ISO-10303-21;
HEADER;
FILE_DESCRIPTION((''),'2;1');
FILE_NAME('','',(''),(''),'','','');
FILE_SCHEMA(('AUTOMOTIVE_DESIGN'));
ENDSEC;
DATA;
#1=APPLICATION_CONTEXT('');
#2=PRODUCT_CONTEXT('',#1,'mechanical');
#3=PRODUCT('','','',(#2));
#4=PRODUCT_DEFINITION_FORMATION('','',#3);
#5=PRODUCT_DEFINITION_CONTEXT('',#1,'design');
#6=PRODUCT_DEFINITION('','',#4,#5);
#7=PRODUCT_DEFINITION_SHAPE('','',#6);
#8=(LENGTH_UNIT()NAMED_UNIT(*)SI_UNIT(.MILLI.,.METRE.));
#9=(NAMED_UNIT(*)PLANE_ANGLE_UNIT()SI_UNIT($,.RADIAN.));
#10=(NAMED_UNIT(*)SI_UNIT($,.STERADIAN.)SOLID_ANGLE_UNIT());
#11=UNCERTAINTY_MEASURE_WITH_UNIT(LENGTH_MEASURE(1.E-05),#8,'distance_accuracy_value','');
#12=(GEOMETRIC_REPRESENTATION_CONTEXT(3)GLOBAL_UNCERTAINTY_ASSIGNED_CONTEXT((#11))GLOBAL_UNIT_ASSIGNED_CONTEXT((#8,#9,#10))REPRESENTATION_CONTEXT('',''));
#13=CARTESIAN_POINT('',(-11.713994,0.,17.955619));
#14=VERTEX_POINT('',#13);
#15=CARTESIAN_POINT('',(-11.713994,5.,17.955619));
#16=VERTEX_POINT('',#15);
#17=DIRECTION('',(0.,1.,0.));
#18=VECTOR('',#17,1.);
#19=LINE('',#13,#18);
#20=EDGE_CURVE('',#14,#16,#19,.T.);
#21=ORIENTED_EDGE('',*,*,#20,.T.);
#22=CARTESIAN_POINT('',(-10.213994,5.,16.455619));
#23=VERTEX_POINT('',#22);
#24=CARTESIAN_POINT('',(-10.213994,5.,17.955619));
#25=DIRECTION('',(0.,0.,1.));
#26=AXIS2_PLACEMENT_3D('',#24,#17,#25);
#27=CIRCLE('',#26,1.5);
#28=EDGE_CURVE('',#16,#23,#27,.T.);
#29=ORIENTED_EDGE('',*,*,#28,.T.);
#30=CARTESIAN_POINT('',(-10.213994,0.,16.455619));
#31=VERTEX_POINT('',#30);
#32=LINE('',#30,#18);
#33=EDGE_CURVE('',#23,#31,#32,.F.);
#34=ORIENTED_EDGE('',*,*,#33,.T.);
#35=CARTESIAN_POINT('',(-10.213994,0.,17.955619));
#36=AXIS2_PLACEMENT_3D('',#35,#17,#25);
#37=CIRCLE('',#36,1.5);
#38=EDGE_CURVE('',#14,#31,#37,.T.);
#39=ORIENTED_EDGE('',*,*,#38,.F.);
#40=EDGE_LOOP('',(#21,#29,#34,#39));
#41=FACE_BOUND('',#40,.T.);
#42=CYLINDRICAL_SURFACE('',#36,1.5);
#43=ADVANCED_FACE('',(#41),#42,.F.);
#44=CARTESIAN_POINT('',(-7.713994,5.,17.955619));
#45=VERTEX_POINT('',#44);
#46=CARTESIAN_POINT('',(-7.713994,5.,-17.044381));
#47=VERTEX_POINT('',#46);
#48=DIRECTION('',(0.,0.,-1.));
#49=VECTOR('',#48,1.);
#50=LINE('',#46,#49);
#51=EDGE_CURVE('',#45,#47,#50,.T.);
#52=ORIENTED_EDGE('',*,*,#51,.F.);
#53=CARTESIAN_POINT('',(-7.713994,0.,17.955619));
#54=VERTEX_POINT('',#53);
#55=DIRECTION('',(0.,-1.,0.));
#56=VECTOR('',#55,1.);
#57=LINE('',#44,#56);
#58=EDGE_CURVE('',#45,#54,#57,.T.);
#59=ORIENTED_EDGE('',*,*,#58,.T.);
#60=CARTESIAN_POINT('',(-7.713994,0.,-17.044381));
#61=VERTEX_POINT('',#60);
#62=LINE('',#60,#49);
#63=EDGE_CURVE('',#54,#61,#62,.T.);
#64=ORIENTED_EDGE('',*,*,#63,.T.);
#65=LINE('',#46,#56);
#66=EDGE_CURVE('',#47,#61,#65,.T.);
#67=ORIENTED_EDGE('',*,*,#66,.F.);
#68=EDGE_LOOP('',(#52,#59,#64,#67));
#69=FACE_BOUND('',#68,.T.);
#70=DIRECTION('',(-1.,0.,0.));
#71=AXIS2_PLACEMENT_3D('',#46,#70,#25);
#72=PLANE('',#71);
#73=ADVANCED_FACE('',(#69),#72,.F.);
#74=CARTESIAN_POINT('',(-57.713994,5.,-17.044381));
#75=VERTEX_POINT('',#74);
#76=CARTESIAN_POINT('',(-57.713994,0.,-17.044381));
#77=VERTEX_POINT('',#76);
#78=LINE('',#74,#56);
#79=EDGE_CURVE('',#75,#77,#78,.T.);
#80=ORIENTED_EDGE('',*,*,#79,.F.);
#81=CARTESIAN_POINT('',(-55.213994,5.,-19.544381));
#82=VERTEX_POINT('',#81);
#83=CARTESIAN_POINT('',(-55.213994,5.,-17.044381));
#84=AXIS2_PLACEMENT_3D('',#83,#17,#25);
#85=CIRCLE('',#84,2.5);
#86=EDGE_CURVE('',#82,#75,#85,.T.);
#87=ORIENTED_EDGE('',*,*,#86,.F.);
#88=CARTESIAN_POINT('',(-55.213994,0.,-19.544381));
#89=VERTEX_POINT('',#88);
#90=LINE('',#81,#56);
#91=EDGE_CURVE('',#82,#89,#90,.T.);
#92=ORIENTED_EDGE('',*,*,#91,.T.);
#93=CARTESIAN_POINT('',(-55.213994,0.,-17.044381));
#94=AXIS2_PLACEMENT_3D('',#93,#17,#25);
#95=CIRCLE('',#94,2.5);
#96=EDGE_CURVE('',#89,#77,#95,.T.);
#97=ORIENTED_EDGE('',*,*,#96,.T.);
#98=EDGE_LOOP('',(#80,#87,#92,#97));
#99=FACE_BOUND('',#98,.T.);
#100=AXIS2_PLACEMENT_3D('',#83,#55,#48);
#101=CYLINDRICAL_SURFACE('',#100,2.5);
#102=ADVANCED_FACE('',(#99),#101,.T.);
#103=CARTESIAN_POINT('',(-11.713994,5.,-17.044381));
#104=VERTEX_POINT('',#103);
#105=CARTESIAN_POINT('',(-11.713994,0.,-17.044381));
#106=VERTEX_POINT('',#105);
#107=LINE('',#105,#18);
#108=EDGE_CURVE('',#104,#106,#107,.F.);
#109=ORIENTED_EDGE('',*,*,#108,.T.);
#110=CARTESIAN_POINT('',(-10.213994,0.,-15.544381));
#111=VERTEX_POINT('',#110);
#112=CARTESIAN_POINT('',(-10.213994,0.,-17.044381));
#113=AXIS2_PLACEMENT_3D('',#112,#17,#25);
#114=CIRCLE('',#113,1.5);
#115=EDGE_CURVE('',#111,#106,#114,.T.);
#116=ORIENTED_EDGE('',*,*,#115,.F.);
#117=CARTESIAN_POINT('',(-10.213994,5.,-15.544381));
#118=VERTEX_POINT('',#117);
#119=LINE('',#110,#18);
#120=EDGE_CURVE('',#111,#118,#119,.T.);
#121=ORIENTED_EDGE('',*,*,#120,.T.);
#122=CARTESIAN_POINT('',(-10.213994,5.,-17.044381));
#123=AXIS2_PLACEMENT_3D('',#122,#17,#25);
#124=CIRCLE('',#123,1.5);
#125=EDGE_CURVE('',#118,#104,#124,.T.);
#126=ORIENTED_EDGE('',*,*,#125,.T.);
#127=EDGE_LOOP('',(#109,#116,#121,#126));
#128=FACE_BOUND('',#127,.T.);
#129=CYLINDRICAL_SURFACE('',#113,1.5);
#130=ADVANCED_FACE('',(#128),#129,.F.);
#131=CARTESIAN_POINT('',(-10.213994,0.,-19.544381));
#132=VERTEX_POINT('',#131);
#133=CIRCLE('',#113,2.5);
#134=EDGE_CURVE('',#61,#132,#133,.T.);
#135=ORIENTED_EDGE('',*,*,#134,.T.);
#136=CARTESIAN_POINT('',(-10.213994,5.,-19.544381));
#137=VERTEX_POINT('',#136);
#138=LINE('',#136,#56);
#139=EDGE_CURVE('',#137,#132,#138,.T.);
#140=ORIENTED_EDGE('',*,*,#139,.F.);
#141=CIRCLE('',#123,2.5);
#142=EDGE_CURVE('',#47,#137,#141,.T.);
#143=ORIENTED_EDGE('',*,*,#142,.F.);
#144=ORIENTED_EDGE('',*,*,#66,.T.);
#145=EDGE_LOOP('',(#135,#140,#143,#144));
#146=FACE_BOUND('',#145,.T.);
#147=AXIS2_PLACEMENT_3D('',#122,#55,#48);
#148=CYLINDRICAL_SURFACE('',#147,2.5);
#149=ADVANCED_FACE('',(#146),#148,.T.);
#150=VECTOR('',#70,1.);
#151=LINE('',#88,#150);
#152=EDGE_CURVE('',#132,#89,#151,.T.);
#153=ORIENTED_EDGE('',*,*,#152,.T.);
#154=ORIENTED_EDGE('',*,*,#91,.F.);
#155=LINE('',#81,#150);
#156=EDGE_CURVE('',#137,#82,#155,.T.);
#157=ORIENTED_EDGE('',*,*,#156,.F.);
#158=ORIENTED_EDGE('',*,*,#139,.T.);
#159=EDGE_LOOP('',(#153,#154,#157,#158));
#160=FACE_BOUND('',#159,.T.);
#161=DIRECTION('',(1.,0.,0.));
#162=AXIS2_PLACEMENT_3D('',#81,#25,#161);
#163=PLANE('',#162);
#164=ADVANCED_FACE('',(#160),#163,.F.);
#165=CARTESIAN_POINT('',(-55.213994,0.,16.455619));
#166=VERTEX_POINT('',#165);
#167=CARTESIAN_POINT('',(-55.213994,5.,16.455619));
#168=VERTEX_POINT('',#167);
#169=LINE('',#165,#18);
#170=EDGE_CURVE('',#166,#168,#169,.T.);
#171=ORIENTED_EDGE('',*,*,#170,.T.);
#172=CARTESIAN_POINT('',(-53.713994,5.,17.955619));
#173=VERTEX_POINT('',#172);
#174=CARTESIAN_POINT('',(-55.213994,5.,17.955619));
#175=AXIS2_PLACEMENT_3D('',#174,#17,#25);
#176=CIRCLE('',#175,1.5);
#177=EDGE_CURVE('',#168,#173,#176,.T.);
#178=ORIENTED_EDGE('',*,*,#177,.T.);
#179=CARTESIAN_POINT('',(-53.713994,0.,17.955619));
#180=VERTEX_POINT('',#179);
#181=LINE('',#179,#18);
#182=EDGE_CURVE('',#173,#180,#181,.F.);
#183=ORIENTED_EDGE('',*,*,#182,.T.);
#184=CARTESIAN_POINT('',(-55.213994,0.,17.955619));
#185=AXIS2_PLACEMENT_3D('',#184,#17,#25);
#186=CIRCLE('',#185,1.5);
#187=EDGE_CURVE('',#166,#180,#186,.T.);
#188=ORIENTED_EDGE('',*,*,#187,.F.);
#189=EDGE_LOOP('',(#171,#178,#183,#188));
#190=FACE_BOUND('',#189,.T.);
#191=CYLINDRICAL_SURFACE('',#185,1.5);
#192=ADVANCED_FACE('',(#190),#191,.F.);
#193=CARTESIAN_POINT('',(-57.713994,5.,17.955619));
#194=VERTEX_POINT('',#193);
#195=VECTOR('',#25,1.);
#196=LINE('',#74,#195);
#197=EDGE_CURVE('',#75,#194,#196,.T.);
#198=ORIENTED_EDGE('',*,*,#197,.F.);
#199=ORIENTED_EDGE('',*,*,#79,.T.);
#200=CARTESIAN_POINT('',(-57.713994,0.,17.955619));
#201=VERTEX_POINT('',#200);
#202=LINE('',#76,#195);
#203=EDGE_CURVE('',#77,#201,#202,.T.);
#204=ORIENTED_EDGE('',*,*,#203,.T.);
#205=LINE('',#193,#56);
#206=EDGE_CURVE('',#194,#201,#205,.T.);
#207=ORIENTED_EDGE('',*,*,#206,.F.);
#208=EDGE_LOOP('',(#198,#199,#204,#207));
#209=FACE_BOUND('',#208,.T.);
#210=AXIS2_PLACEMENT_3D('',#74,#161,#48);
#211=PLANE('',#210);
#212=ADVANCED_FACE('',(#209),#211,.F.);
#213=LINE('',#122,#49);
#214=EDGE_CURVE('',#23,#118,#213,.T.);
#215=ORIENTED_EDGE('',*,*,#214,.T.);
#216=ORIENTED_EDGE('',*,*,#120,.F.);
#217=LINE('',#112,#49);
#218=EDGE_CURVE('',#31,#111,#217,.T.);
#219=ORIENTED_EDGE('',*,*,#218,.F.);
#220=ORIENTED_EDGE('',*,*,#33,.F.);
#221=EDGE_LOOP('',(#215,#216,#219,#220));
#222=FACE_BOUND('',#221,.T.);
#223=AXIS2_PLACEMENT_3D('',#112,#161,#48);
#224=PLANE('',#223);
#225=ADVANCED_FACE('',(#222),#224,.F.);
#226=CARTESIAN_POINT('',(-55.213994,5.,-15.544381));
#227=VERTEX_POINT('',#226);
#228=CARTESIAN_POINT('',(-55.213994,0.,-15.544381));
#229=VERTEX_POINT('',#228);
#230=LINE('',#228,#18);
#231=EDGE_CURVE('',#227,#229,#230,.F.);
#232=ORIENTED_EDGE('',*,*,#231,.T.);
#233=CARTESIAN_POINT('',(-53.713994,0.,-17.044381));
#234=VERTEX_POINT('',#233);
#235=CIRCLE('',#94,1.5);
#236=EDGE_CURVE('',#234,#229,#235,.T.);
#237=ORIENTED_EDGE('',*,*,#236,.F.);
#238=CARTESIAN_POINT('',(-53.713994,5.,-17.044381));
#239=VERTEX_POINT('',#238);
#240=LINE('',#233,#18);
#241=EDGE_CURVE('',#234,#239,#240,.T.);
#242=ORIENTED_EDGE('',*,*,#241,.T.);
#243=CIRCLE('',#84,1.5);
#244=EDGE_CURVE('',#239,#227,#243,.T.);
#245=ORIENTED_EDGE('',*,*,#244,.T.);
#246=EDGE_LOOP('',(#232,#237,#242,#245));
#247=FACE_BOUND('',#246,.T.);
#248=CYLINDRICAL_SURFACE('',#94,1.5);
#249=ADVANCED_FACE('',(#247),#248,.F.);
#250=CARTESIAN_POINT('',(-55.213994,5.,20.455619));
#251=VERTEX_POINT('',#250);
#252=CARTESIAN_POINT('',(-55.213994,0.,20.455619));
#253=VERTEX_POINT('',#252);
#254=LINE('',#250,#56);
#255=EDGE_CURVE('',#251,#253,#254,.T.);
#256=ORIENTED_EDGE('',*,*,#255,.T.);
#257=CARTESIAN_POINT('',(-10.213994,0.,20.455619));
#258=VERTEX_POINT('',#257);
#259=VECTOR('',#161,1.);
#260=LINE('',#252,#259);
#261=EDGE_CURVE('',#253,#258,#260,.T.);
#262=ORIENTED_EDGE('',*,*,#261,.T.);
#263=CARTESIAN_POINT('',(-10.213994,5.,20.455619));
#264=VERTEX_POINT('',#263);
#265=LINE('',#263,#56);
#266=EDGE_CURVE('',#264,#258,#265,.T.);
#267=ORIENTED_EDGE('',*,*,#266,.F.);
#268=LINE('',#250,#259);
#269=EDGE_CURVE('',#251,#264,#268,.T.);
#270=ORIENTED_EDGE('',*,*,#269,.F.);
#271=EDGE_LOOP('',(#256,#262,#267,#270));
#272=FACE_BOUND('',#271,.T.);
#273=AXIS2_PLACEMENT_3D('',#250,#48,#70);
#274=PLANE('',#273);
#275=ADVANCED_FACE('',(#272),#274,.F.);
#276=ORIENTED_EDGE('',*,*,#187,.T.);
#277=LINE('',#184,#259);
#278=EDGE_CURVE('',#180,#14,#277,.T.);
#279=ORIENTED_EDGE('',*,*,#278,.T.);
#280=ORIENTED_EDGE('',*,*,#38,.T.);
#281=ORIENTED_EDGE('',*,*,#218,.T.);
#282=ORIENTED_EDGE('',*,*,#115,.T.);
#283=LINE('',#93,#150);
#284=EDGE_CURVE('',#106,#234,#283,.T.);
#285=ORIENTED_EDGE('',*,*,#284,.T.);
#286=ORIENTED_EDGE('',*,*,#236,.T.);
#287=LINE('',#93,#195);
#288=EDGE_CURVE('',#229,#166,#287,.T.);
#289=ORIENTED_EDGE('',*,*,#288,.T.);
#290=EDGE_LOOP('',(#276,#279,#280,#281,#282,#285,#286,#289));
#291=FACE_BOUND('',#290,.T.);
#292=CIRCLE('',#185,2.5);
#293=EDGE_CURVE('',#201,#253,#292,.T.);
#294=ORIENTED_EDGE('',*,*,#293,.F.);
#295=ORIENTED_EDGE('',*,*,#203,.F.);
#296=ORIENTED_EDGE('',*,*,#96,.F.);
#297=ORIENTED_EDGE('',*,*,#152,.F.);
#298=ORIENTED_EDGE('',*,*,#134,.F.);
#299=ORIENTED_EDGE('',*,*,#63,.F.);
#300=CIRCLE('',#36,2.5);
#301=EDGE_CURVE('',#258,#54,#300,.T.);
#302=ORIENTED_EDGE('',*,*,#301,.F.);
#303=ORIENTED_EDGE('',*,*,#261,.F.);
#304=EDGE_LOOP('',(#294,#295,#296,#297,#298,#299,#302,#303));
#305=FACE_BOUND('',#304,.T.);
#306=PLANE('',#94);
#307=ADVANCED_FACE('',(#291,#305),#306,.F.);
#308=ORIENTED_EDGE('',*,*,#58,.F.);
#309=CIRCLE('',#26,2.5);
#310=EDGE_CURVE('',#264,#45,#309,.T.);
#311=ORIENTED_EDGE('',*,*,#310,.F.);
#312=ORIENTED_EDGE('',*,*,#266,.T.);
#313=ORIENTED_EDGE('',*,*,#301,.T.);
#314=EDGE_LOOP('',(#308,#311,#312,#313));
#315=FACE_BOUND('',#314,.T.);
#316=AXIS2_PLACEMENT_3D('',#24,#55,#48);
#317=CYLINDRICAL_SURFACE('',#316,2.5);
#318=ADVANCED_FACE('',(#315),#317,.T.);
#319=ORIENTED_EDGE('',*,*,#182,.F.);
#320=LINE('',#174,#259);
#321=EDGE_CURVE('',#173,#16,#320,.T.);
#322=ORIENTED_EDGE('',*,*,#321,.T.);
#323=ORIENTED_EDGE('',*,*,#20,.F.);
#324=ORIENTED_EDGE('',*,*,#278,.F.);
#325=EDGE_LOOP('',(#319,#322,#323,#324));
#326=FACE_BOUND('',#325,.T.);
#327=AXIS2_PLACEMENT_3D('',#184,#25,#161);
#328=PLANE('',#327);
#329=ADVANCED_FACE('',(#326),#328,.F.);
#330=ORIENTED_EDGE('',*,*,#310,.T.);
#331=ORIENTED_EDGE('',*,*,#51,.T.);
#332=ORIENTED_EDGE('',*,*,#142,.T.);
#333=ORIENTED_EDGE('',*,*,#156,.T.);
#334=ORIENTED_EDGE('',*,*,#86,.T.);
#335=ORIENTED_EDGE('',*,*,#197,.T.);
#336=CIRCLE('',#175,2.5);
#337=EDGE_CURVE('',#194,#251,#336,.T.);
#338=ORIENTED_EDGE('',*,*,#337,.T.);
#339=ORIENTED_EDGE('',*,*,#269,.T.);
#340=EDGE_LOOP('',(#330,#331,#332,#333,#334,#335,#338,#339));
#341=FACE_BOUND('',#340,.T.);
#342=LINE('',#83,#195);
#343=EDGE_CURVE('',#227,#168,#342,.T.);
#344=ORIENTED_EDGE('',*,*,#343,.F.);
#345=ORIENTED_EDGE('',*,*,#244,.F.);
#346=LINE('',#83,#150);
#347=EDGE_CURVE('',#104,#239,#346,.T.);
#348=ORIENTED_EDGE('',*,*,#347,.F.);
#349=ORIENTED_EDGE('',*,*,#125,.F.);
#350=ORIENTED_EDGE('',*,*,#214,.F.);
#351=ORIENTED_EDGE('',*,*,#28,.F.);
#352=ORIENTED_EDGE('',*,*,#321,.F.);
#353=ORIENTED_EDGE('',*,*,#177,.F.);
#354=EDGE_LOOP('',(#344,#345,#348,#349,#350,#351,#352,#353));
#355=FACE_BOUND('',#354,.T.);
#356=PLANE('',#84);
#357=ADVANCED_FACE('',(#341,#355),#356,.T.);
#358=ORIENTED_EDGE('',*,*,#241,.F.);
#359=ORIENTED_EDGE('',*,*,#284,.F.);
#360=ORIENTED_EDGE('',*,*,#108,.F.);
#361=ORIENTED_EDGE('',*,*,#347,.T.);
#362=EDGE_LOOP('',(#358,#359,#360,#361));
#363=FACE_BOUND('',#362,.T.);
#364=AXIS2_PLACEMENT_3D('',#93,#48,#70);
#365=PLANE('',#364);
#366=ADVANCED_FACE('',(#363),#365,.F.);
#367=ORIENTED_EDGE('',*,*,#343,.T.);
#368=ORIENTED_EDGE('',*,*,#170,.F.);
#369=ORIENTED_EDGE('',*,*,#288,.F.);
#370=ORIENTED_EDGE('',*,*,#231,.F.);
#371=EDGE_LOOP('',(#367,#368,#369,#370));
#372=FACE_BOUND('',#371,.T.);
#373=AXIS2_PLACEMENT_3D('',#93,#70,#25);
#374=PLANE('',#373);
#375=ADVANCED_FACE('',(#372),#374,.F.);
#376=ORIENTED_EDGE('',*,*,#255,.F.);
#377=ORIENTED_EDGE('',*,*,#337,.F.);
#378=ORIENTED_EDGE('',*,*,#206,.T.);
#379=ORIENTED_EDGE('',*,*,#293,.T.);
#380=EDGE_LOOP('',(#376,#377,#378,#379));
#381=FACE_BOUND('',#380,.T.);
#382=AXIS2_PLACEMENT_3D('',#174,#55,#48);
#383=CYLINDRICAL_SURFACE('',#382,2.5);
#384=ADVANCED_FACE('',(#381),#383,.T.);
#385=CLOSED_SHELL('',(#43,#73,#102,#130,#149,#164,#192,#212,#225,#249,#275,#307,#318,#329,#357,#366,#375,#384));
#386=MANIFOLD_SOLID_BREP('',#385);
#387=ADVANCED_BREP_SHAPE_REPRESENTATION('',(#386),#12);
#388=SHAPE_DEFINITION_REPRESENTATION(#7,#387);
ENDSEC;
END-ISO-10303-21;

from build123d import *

# Parameters (mm, degrees)
EXTRUDE_3_DEPTH     = 5
SKETCH_7_R          = 1.5
CUT_EXTRUDE_1_DEPTH = 62.435637135
SKETCH_8_W          = 45
SKETCH_8_H          = 35
CUT_EXTRUDE_2_DEPTH = 62.435637135


with BuildPart() as part:
    # 草图1 → 凸台-拉伸3 (new body)
    with BuildSketch(Plane(origin=(0, 0, 0), x_dir=(1, 0, 0), z_dir=(0, 1, 0))):
        with BuildLine():
            Line((-55.213994356, 19.544380587), (-10.213994356, 19.544380587))
            ThreePointArc((-10.213994356, 19.544380587), (-8.446227403, 18.81214754), (-7.713994356, 17.044380587))
            Line((-7.713994356, 17.044380587), (-7.713994356, -17.955619413))
            ThreePointArc((-7.713994356, -17.955619413), (-8.446227403, -19.723386366), (-10.213994356, -20.455619413))
            Line((-10.213994356, -20.455619413), (-55.213994356, -20.455619413))
            ThreePointArc((-55.213994356, -20.455619413), (-56.981761309, -19.723386366), (-57.713994356, -17.955619413))
            Line((-57.713994356, -17.955619413), (-57.713994356, 17.044380587))
            ThreePointArc((-57.713994356, 17.044380587), (-56.981761309, 18.81214754), (-55.213994356, 19.544380587))
        make_face()
    extrude(amount=EXTRUDE_3_DEPTH)

    # 草图7 → 切除-拉伸1 (cut, through all)
    with BuildSketch(Plane(origin=(0, 5, 0), x_dir=(1, 0, 0), z_dir=(0, 1, 0))):
        with Locations(Location((-55.213994356, 17.044380587, 0), (0, 0, 270))):
            Circle(SKETCH_7_R)
        with Locations(Location((-10.213994356, 17.044380587, 0), (0, 0, 270))):
            Circle(SKETCH_7_R)
        with Locations(Location((-55.213994356, -17.955619413, 0), (0, 0, 270))):
            Circle(SKETCH_7_R)
        with Locations(Location((-10.213994356, -17.955619413, 0), (0, 0, 270))):
            Circle(SKETCH_7_R)
    extrude(amount=-CUT_EXTRUDE_1_DEPTH, mode=Mode.SUBTRACT)

    # 草图8 → 切除-拉伸2 (cut, through all)
    with BuildSketch(Plane(origin=(0, 5, 0), x_dir=(1, 0, 0), z_dir=(0, 1, 0))):
        with Locations((-32.713994356, -0.455619413)):
            Rectangle(SKETCH_8_W, SKETCH_8_H)
    extrude(amount=-CUT_EXTRUDE_2_DEPTH, mode=Mode.SUBTRACT)


solid = part.part
